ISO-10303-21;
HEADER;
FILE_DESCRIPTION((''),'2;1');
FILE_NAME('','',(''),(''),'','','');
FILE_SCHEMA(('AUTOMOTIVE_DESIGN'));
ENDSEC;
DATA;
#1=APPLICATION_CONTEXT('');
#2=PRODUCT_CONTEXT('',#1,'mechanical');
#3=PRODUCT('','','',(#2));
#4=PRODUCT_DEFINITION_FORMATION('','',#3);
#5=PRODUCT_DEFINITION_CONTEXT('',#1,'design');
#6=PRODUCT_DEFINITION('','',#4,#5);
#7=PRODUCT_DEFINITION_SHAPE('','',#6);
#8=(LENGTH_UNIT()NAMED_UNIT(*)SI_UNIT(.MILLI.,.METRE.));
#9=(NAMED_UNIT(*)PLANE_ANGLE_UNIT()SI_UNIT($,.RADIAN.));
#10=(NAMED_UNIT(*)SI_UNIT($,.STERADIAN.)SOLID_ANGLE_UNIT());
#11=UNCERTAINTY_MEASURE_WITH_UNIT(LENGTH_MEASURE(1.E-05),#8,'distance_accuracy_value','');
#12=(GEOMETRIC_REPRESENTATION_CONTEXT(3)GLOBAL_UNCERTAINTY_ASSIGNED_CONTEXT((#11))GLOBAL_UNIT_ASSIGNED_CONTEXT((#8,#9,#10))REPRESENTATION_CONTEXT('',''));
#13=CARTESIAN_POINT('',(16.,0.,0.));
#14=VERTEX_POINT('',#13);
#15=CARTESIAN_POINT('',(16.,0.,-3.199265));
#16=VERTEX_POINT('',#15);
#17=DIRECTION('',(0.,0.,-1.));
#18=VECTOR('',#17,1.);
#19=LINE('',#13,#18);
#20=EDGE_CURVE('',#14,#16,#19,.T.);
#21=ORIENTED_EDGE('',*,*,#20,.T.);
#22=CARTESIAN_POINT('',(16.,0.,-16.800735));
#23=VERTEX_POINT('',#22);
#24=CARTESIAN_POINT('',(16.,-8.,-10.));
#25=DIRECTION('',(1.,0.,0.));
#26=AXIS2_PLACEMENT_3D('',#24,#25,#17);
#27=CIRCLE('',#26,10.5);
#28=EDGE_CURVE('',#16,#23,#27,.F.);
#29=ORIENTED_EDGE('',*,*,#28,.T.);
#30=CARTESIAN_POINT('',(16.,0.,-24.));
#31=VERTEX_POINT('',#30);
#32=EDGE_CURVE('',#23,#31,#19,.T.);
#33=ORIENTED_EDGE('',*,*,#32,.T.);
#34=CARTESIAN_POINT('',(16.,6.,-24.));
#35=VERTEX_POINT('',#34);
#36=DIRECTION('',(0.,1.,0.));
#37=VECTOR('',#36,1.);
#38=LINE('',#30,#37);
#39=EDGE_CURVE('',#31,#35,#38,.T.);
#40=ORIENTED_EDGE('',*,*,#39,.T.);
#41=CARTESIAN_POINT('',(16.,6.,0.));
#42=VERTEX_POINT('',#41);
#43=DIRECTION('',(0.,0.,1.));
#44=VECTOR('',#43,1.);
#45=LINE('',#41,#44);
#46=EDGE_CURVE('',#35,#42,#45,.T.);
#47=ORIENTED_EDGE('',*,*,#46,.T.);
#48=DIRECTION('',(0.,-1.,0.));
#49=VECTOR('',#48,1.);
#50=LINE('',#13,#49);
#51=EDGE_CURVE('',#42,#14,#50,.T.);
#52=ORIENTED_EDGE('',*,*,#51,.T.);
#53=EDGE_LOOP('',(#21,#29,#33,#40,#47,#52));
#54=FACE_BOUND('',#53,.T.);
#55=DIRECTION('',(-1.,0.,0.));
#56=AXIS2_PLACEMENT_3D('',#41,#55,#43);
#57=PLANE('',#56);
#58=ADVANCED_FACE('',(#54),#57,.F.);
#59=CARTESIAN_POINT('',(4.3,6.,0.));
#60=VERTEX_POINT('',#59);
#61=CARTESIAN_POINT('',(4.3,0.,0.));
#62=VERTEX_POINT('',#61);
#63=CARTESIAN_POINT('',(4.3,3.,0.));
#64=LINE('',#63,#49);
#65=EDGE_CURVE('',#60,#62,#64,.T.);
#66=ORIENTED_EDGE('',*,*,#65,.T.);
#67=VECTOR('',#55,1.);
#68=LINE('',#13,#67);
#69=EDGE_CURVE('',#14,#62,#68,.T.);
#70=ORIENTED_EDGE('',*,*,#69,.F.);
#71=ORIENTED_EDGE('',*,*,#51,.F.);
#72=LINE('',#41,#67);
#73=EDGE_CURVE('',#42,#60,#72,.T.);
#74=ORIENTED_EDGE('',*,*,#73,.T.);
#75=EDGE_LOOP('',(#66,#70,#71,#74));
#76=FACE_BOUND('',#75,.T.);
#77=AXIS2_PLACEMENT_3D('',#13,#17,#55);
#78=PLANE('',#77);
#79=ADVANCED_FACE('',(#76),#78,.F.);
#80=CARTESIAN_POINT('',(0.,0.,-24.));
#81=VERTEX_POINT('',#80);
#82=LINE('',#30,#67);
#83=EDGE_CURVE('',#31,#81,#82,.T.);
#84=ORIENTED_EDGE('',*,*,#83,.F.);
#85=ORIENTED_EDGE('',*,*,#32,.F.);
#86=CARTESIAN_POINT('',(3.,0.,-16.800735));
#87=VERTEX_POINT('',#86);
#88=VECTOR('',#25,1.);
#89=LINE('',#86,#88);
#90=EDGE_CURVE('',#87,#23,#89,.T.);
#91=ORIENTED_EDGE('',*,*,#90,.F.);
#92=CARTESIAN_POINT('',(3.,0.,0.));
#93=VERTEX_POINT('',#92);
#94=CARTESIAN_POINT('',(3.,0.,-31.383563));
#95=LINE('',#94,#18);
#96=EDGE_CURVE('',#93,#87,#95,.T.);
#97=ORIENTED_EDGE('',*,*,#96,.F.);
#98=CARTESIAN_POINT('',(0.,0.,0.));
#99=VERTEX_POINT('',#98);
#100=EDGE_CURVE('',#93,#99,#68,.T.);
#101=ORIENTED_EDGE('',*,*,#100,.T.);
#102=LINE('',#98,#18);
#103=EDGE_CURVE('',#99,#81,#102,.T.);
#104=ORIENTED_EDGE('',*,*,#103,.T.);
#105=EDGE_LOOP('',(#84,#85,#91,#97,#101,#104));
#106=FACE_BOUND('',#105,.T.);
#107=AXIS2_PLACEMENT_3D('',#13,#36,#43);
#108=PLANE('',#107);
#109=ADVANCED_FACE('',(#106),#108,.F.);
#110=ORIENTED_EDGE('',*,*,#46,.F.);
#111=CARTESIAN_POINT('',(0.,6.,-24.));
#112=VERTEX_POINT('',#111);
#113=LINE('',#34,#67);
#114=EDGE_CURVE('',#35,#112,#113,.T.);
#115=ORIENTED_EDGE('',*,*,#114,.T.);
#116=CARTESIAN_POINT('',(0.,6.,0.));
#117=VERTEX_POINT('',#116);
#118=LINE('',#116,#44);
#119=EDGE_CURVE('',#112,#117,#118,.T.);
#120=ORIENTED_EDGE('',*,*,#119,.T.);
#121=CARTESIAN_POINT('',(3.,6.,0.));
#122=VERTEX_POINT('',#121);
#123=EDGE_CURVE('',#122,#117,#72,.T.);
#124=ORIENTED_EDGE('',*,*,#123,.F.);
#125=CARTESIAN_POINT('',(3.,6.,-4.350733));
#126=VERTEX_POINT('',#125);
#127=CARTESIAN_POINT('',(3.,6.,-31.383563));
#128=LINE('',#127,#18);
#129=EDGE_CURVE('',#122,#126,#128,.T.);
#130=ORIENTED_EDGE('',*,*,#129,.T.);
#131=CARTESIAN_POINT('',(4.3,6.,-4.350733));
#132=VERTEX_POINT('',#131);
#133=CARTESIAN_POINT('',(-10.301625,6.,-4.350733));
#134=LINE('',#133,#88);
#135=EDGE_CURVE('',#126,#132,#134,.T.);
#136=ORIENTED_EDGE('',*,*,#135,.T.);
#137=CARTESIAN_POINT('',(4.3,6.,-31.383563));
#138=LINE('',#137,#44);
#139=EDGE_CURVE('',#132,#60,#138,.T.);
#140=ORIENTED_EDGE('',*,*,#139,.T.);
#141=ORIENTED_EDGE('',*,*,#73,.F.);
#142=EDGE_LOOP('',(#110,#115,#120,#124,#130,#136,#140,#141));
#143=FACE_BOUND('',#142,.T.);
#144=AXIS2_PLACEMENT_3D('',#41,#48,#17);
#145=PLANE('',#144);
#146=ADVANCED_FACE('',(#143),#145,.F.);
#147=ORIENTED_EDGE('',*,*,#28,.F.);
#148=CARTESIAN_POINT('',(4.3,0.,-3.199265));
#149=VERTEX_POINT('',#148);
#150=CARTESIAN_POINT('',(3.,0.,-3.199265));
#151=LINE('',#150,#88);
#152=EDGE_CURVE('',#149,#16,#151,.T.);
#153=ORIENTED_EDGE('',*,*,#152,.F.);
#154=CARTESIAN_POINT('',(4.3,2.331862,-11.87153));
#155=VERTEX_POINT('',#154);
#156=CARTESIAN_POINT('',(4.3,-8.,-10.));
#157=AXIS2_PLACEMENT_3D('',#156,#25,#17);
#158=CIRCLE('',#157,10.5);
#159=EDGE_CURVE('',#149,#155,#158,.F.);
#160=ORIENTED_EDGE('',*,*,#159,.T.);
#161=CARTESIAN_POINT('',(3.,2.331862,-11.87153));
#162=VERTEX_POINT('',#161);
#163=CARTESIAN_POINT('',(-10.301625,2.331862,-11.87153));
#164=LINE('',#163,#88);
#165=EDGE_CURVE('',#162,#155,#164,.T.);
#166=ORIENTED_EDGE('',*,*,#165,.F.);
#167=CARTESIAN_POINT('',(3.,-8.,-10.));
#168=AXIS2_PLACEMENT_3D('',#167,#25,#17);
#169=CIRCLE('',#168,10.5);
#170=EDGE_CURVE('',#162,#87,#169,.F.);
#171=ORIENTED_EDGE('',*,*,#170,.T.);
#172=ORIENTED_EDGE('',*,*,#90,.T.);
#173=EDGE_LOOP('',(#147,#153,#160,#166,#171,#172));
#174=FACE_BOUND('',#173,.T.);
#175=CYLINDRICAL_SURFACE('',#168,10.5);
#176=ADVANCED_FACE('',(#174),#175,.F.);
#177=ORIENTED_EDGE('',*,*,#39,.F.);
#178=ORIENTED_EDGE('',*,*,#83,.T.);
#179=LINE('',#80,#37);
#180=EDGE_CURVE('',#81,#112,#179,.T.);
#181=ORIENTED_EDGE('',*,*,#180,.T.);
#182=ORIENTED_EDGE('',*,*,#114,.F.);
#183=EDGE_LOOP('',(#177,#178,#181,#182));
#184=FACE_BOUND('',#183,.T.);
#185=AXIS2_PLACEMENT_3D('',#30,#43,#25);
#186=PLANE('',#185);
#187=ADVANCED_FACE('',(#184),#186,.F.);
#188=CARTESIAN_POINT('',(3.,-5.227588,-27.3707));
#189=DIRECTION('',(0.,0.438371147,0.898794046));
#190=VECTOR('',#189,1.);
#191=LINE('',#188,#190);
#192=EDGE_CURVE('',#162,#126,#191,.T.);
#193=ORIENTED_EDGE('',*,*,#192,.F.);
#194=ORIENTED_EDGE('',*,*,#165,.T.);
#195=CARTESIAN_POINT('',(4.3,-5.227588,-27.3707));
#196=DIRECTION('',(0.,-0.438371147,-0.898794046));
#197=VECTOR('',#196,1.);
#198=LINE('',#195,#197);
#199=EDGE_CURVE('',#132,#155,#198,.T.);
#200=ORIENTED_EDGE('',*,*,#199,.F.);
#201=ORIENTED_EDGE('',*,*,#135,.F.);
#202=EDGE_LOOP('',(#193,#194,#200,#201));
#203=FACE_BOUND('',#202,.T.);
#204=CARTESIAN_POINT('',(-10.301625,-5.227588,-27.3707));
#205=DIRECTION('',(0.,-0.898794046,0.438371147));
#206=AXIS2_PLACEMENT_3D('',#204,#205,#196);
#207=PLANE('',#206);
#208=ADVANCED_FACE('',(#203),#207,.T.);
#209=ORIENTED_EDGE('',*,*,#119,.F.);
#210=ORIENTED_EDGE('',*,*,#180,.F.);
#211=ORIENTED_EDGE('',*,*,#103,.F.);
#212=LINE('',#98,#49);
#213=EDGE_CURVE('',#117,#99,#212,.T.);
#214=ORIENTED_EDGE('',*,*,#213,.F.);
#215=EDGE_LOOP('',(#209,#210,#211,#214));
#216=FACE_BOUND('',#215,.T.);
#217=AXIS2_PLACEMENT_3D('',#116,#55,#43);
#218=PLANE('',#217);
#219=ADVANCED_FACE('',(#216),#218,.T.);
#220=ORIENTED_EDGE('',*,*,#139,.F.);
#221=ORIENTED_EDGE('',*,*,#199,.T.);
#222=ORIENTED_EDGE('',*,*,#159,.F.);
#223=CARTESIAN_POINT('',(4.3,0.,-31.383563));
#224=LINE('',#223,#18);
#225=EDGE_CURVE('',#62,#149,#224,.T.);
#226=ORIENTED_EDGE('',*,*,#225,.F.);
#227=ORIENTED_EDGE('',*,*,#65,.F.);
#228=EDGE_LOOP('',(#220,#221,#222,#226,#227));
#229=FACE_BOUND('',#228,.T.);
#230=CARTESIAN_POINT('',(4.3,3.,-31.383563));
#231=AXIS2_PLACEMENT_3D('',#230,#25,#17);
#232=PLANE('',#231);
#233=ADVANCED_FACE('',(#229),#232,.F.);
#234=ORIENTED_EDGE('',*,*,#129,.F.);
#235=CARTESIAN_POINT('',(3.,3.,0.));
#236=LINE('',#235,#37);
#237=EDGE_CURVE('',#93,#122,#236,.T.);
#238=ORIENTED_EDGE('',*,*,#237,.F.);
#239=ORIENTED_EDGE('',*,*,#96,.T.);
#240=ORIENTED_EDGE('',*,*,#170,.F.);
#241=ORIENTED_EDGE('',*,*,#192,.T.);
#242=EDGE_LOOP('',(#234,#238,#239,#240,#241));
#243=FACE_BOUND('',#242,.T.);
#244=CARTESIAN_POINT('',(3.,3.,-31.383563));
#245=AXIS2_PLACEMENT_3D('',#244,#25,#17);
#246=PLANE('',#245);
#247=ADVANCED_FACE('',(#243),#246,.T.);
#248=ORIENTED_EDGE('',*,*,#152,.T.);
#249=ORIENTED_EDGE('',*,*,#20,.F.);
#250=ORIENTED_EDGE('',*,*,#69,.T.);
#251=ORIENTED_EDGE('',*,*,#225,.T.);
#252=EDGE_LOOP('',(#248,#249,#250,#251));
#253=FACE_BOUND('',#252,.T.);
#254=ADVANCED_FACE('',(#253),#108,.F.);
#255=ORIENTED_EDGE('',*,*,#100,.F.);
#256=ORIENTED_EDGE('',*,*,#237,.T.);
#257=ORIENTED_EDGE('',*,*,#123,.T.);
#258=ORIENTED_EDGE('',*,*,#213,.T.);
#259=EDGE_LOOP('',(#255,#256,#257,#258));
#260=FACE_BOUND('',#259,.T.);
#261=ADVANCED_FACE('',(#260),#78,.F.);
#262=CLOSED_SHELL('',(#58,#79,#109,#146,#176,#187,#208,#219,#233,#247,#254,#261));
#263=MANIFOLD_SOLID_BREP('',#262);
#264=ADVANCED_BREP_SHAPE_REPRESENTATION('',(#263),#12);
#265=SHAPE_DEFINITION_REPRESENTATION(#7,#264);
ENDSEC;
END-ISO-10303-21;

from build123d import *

# Parameters (mm, degrees)
SKETCH_1_W          = 24
SKETCH_1_H          = 6
EXTRUDE_1_DEPTH     = 16
CUT_EXTRUDE_1_DEPTH = 13
CUT_EXTRUDE_START   = -11.7
CUT_EXTRUDE_6_DEPTH = 1.3


with BuildPart() as part:
    # Эскиз1 → Бобышка-Вытянуть1 (new body)
    with BuildSketch(Plane(origin=(0, 0, 0), x_dir=(0, 0, -1), z_dir=(1, 0, 0))):
        with Locations((12, 3)):
            Rectangle(SKETCH_1_W, SKETCH_1_H)
    extrude(amount=EXTRUDE_1_DEPTH)

    # Эскиз2 → Вырез-Вытянуть1 (cut)
    with BuildSketch(Plane(origin=(16, 0, 0), x_dir=(0, 0, -1), z_dir=(1, 0, 0))):
        with BuildLine():
            ThreePointArc((16.800735254, 0), (10, 2.5), (3.199264746, 0))
            Line((3.199264746, 0), (16.800735254, 0))
        make_face()
    extrude(amount=-CUT_EXTRUDE_1_DEPTH, mode=Mode.SUBTRACT)

    # Эскиз3 → Вырез-Вытянуть6 (cut)
    with BuildSketch(Plane(origin=(16, 0, 0), x_dir=(0, 0, -1), z_dir=(1, 0, 0)).offset(CUT_EXTRUDE_START)):
        with BuildLine():
            Line((11.871529868, 2.331862173), (4.350732789, 6))
            Line((4.350732789, 6), (0, 6))
            Line((0, 6), (0, 0))
            Line((0, 0), (3.199264746, 0))
            ThreePointArc((3.199264746, 0), (7.273525769, 2.139839164), (11.871529868, 2.331862173))
        make_face()
    extrude(amount=-CUT_EXTRUDE_6_DEPTH, mode=Mode.SUBTRACT)


solid = part.part
